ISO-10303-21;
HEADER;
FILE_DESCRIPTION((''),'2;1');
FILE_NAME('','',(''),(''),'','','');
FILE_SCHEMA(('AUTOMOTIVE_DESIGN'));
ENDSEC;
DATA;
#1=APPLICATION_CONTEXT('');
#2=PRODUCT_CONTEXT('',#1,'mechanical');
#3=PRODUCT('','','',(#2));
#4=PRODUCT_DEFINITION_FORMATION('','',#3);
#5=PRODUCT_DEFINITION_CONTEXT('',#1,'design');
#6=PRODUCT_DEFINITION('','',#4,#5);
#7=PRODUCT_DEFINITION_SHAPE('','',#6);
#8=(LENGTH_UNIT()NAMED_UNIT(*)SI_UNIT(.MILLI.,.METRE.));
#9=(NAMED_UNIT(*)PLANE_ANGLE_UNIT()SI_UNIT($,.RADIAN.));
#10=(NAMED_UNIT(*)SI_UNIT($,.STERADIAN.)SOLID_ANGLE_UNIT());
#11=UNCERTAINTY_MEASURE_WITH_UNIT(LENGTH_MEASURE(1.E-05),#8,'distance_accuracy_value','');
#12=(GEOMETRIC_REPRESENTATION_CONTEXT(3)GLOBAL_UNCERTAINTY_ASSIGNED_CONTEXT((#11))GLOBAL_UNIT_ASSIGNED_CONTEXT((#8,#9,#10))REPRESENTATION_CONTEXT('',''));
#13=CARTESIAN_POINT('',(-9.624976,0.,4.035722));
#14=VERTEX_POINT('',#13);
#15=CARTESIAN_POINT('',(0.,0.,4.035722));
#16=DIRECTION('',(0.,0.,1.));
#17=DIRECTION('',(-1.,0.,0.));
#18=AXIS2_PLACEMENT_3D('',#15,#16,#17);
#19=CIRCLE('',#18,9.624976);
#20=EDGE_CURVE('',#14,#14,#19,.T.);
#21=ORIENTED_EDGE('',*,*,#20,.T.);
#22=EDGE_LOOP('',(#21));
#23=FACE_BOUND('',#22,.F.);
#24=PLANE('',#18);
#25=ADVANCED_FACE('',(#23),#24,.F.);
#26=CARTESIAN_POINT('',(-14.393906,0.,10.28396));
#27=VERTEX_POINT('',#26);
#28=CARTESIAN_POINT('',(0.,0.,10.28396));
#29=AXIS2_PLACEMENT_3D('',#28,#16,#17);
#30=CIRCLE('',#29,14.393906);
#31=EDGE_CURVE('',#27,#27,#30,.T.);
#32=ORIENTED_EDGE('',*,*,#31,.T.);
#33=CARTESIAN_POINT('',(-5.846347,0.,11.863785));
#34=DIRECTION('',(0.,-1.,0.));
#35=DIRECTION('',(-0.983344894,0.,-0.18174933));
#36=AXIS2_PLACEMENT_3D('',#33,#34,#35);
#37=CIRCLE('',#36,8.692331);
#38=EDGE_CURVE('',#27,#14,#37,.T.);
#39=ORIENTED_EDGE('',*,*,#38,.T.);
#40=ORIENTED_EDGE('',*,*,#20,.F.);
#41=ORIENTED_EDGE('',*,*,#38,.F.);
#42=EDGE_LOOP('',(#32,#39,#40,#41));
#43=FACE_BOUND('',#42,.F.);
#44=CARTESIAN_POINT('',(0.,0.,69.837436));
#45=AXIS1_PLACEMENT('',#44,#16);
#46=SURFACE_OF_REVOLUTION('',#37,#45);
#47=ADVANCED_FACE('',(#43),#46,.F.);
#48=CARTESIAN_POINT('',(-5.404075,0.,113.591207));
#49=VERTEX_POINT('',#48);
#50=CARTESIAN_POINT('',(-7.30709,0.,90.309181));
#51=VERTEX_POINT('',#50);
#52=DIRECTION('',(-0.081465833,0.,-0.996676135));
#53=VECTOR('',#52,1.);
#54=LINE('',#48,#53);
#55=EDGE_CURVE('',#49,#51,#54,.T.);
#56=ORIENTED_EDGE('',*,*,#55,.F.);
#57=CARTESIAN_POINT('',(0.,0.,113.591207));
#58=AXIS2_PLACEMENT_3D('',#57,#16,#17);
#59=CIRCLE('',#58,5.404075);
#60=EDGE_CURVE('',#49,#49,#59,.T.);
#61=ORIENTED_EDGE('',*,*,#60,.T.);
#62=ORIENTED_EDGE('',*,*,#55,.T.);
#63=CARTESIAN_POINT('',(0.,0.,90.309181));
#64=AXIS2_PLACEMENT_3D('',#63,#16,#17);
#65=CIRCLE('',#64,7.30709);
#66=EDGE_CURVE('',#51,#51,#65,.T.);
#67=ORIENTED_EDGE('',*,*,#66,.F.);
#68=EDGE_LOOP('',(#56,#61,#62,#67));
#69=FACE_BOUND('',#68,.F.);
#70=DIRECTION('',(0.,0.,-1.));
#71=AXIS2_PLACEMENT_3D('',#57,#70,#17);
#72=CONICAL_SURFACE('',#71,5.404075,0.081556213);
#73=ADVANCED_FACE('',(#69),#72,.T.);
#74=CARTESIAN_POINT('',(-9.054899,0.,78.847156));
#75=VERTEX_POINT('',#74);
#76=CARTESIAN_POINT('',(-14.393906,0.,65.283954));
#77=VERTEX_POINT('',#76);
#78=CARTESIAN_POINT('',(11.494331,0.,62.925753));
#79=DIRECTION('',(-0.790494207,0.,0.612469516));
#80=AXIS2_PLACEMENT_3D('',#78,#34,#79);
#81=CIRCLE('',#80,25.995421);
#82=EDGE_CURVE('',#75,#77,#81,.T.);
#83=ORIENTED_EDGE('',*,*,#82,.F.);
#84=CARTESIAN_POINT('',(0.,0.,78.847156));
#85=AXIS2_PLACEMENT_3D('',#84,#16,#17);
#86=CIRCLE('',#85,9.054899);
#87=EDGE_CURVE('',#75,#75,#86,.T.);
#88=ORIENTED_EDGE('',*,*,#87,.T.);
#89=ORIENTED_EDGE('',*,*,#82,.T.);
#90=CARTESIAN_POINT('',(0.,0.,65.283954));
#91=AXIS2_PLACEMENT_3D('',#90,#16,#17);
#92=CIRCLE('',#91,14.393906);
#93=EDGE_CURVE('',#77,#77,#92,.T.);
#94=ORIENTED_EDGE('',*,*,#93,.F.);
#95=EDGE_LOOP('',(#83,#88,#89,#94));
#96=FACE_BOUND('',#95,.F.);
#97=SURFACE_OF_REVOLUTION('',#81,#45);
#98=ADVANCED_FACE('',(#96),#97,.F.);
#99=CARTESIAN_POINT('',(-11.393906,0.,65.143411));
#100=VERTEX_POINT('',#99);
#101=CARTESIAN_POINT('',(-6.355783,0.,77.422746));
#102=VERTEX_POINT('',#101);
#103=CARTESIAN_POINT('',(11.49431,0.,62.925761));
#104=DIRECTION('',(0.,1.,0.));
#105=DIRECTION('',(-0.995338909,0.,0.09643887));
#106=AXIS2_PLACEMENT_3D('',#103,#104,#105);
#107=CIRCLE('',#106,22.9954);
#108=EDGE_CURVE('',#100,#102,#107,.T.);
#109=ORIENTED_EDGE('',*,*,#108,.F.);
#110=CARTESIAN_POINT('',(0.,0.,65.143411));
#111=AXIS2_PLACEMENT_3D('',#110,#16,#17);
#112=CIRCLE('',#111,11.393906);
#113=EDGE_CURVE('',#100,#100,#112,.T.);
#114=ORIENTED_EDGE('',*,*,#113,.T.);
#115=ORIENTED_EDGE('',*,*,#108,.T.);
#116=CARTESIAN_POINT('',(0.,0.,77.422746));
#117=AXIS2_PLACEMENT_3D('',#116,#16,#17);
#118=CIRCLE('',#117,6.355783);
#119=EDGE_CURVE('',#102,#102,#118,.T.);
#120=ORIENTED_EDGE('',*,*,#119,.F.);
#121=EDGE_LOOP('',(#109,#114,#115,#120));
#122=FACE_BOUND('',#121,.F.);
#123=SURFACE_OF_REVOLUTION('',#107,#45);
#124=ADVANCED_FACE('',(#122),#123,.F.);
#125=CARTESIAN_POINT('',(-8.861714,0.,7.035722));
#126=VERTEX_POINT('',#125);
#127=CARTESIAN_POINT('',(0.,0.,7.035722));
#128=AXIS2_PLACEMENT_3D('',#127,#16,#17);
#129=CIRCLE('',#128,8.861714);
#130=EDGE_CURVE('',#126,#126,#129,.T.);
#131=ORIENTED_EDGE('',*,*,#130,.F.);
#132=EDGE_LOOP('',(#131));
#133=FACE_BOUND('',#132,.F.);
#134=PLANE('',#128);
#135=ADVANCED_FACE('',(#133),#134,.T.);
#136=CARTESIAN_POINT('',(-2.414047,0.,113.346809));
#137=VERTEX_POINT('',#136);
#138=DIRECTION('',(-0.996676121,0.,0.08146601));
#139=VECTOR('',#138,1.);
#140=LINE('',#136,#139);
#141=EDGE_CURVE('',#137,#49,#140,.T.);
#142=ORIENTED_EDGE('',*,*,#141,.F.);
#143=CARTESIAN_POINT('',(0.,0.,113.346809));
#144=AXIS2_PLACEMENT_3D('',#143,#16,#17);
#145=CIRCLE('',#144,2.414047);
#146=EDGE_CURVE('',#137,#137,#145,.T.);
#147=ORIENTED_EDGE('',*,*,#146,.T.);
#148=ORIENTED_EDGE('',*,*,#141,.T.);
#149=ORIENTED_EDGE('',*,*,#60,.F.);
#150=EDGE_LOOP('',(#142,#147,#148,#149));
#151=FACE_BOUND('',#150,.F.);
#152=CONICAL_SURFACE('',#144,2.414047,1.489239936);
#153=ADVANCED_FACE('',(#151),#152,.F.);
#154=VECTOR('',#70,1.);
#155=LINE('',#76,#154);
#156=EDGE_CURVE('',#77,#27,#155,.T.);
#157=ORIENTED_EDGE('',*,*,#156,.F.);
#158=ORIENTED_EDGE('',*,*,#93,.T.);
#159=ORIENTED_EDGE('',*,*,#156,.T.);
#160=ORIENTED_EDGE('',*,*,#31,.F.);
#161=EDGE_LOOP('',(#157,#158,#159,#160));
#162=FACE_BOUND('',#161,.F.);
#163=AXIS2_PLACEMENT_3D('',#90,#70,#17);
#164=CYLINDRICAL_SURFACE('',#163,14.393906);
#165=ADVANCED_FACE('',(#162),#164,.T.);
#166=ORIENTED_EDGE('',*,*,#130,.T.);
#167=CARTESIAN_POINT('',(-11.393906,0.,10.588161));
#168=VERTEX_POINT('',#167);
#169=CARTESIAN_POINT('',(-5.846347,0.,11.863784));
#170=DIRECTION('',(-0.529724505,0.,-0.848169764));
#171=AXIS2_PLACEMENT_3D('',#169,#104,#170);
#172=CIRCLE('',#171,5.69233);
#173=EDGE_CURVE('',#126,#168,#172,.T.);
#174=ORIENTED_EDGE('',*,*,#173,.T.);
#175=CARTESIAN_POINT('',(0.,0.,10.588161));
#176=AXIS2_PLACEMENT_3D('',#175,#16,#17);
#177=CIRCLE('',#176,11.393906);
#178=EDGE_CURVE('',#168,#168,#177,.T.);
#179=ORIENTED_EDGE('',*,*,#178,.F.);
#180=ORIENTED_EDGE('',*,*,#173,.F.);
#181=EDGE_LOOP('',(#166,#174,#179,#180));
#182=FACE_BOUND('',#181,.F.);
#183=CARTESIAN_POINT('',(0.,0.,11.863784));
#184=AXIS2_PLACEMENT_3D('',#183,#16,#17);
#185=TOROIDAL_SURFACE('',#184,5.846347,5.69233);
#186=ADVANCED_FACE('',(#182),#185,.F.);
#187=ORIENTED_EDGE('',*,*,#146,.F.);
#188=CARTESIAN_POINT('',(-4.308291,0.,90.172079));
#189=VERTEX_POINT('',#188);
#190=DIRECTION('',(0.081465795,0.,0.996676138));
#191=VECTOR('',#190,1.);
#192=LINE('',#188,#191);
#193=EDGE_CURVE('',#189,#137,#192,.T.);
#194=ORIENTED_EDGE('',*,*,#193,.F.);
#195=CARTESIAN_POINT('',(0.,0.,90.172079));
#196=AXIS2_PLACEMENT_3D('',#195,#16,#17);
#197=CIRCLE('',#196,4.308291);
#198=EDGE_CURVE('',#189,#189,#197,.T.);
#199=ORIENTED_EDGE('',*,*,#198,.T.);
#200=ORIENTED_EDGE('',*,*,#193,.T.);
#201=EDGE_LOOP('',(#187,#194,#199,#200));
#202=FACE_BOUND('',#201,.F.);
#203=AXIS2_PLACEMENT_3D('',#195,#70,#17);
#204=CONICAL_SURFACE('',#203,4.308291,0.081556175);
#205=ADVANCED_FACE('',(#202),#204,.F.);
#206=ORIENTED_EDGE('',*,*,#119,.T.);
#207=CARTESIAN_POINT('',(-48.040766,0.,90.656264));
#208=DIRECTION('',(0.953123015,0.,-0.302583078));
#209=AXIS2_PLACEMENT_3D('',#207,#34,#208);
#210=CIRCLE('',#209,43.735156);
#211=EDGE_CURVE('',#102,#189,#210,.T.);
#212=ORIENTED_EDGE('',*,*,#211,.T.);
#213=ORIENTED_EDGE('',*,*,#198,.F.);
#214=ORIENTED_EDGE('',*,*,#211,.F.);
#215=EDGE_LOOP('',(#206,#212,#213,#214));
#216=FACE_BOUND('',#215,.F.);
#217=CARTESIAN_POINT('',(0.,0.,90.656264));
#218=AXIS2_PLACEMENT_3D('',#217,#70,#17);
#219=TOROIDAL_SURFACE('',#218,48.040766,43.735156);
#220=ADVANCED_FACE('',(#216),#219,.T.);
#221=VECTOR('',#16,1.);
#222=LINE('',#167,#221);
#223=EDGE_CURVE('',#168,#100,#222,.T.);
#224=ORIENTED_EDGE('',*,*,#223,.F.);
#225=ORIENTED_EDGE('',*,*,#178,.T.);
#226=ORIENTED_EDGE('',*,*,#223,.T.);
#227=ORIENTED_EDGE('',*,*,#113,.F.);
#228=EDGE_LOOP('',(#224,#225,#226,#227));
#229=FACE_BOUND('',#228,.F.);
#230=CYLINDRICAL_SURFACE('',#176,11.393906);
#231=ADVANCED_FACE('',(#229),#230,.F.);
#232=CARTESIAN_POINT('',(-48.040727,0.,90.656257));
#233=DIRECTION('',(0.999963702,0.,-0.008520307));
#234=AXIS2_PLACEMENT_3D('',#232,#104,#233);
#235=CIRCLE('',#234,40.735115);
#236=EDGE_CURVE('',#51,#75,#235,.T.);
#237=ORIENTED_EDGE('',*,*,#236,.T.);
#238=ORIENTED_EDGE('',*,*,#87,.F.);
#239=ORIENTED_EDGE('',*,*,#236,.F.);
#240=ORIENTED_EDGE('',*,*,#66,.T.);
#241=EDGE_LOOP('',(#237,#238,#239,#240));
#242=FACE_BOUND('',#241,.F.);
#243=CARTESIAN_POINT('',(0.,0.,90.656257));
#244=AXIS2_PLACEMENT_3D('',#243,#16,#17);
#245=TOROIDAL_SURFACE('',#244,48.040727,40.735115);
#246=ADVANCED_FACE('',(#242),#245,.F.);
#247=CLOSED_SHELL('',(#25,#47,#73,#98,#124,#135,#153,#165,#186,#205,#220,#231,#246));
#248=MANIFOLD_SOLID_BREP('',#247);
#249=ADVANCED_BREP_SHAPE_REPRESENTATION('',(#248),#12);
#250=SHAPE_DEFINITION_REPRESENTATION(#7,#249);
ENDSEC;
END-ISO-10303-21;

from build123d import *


with BuildPart() as f1:
    # F0 (on Front) → F1 (revolve)
    with BuildSketch(Plane.XZ):
        with BuildLine():
            Line((-9.624976, 4.035722), (0, 4.035722))
            Line((0, 4.035722), (0, 7.035722))
            Line((0, 7.035722), (-8.861714, 7.035722))
            ThreePointArc((-8.861714, 7.035722), (-10.481633, 8.559734), (-11.393906, 10.588161))
            Line((-11.393906, 10.588161), (-11.393906, 65.143411))
            ThreePointArc((-11.393906, 65.143411), (-9.78004, 71.654474), (-6.355783, 77.422746))
            ThreePointArc((-6.355783, 77.422746), (-4.858919, 83.721432), (-4.308291, 90.172079))
            Line((-4.308291, 90.172079), (-2.414047, 113.346809))
            Line((-2.414047, 113.346809), (-5.404075, 113.591207))
            Line((-5.404075, 113.591207), (-7.30709, 90.309181))
            ThreePointArc((-7.30709, 90.309181), (-7.771101, 84.515665), (-9.054899, 78.847156))
            ThreePointArc((-9.054899, 78.847156), (-12.694503, 72.447425), (-14.393906, 65.283954))
            Line((-14.393906, 65.283954), (-14.393906, 10.28396))
            ThreePointArc((-14.393906, 10.28396), (-12.756039, 6.590004), (-9.624976, 4.035722))
        make_face()
    revolve(axis=Axis((0, 0, 69.837436), (0, 0, 1)))


solid = f1.part
